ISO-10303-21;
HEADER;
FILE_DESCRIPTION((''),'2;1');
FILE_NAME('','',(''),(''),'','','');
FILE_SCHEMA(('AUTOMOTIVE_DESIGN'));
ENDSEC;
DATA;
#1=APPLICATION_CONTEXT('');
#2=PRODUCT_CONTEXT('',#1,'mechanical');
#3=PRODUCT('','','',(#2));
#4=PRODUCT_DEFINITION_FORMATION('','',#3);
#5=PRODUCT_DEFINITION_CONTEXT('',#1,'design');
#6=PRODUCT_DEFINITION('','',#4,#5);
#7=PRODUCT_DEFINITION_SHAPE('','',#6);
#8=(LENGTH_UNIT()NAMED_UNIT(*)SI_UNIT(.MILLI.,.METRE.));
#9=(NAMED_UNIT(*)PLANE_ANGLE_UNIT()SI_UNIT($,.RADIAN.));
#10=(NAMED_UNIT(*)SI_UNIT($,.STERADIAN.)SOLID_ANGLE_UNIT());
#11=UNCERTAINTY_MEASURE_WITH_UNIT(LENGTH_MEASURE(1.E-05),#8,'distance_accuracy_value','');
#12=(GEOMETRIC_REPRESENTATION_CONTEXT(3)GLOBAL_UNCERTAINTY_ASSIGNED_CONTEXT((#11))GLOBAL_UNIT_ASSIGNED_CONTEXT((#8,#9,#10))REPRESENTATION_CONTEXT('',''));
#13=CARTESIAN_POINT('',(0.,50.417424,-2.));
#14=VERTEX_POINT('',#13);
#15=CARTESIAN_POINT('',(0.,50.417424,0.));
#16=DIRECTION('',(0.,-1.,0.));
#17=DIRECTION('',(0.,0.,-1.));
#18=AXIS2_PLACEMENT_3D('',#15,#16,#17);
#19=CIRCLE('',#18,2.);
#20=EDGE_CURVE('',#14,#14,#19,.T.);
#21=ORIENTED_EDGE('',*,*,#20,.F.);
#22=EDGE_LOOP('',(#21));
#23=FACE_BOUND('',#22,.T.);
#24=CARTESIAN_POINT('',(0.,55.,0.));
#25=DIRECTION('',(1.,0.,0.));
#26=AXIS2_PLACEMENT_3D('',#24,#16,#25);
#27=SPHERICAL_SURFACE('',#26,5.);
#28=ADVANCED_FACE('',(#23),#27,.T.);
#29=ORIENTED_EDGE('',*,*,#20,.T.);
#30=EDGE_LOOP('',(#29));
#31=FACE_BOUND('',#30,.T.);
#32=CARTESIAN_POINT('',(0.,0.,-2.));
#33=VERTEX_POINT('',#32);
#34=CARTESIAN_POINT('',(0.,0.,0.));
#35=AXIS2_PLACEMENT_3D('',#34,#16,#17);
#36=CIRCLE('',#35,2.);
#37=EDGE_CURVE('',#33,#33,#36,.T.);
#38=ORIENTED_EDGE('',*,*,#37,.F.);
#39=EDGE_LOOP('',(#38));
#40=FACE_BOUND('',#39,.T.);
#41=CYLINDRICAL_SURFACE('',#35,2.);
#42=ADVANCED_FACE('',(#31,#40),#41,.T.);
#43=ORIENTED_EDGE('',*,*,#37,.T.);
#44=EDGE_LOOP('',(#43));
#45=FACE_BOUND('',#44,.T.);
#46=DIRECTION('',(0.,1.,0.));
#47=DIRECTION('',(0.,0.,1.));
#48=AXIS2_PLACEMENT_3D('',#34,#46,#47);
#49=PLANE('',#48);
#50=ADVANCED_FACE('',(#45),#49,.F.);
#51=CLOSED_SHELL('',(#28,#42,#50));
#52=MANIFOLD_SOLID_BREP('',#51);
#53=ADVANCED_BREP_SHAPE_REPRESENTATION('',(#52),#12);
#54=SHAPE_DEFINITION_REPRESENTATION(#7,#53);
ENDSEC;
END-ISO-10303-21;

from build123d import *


with BuildPart() as part:
    # Sketch1 → Revolve1 (revolve)
    with BuildSketch(Plane.XY, mode=Mode.PRIVATE) as revolve1_sk:
        with BuildLine():
            Line((0, 0), (-2, 0))
            Line((-2, 0), (-2, 50.417424305))
            ThreePointArc((-2, 50.417424305), (-4.894531565, 56.021548218), (0, 60))
            Line((0, 60), (0, 0))
        make_face()
    revolve(revolve1_sk.sketch.rotate(Axis((0, 0, 0), (0, 1, 0)), 180), axis=Axis((0, 0, 0), (0, 1, 0)))


solid = part.part
